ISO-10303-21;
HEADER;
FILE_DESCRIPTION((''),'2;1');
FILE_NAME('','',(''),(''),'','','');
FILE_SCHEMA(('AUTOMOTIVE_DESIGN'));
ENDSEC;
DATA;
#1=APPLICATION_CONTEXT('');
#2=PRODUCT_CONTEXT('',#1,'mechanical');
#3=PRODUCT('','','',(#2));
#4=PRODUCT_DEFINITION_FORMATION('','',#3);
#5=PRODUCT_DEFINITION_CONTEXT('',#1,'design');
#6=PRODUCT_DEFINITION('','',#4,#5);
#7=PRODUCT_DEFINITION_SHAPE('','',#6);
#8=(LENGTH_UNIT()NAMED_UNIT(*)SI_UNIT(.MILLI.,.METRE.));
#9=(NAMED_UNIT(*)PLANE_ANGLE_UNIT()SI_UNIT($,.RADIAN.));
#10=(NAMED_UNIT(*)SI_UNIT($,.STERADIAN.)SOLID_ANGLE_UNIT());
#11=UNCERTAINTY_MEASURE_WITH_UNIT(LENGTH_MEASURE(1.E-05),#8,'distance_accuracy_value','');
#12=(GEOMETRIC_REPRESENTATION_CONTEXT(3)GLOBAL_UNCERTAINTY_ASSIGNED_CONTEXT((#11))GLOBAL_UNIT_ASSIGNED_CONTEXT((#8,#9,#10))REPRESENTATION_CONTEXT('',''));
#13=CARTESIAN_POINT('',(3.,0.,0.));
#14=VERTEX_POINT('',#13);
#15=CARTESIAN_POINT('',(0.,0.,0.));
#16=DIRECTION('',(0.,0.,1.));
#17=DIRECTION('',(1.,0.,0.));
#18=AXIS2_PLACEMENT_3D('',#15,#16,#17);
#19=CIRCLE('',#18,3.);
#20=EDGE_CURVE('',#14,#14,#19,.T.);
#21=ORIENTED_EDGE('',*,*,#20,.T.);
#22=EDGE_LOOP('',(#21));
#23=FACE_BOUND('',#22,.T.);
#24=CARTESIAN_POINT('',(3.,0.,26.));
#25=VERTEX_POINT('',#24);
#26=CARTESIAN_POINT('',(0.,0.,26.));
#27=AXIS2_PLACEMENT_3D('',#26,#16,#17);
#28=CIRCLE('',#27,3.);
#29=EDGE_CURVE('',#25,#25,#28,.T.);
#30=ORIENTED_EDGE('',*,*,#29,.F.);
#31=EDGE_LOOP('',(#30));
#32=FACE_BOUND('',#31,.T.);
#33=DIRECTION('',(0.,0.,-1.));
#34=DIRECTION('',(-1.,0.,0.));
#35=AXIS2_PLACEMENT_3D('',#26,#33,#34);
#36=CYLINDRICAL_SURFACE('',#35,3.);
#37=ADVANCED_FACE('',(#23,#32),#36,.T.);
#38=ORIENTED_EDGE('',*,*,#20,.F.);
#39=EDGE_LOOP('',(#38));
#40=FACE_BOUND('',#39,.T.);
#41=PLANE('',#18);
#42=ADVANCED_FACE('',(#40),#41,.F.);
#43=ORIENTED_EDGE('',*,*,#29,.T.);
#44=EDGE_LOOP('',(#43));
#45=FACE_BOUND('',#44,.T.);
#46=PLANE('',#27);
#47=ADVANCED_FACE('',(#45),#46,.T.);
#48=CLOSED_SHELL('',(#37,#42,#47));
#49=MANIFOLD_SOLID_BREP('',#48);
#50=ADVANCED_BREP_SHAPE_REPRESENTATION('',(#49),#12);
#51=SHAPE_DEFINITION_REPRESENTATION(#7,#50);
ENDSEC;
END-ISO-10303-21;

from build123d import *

# Parameters (mm, degrees)
SKETCH1_R           = 3
BOSS_EXTRUDE1_DEPTH = 26


with BuildPart() as part:
    # Sketch1 → Boss-Extrude1 (new body)
    with BuildSketch(Plane.XY):
        Circle(SKETCH1_R)
    extrude(amount=BOSS_EXTRUDE1_DEPTH)


solid = part.part
